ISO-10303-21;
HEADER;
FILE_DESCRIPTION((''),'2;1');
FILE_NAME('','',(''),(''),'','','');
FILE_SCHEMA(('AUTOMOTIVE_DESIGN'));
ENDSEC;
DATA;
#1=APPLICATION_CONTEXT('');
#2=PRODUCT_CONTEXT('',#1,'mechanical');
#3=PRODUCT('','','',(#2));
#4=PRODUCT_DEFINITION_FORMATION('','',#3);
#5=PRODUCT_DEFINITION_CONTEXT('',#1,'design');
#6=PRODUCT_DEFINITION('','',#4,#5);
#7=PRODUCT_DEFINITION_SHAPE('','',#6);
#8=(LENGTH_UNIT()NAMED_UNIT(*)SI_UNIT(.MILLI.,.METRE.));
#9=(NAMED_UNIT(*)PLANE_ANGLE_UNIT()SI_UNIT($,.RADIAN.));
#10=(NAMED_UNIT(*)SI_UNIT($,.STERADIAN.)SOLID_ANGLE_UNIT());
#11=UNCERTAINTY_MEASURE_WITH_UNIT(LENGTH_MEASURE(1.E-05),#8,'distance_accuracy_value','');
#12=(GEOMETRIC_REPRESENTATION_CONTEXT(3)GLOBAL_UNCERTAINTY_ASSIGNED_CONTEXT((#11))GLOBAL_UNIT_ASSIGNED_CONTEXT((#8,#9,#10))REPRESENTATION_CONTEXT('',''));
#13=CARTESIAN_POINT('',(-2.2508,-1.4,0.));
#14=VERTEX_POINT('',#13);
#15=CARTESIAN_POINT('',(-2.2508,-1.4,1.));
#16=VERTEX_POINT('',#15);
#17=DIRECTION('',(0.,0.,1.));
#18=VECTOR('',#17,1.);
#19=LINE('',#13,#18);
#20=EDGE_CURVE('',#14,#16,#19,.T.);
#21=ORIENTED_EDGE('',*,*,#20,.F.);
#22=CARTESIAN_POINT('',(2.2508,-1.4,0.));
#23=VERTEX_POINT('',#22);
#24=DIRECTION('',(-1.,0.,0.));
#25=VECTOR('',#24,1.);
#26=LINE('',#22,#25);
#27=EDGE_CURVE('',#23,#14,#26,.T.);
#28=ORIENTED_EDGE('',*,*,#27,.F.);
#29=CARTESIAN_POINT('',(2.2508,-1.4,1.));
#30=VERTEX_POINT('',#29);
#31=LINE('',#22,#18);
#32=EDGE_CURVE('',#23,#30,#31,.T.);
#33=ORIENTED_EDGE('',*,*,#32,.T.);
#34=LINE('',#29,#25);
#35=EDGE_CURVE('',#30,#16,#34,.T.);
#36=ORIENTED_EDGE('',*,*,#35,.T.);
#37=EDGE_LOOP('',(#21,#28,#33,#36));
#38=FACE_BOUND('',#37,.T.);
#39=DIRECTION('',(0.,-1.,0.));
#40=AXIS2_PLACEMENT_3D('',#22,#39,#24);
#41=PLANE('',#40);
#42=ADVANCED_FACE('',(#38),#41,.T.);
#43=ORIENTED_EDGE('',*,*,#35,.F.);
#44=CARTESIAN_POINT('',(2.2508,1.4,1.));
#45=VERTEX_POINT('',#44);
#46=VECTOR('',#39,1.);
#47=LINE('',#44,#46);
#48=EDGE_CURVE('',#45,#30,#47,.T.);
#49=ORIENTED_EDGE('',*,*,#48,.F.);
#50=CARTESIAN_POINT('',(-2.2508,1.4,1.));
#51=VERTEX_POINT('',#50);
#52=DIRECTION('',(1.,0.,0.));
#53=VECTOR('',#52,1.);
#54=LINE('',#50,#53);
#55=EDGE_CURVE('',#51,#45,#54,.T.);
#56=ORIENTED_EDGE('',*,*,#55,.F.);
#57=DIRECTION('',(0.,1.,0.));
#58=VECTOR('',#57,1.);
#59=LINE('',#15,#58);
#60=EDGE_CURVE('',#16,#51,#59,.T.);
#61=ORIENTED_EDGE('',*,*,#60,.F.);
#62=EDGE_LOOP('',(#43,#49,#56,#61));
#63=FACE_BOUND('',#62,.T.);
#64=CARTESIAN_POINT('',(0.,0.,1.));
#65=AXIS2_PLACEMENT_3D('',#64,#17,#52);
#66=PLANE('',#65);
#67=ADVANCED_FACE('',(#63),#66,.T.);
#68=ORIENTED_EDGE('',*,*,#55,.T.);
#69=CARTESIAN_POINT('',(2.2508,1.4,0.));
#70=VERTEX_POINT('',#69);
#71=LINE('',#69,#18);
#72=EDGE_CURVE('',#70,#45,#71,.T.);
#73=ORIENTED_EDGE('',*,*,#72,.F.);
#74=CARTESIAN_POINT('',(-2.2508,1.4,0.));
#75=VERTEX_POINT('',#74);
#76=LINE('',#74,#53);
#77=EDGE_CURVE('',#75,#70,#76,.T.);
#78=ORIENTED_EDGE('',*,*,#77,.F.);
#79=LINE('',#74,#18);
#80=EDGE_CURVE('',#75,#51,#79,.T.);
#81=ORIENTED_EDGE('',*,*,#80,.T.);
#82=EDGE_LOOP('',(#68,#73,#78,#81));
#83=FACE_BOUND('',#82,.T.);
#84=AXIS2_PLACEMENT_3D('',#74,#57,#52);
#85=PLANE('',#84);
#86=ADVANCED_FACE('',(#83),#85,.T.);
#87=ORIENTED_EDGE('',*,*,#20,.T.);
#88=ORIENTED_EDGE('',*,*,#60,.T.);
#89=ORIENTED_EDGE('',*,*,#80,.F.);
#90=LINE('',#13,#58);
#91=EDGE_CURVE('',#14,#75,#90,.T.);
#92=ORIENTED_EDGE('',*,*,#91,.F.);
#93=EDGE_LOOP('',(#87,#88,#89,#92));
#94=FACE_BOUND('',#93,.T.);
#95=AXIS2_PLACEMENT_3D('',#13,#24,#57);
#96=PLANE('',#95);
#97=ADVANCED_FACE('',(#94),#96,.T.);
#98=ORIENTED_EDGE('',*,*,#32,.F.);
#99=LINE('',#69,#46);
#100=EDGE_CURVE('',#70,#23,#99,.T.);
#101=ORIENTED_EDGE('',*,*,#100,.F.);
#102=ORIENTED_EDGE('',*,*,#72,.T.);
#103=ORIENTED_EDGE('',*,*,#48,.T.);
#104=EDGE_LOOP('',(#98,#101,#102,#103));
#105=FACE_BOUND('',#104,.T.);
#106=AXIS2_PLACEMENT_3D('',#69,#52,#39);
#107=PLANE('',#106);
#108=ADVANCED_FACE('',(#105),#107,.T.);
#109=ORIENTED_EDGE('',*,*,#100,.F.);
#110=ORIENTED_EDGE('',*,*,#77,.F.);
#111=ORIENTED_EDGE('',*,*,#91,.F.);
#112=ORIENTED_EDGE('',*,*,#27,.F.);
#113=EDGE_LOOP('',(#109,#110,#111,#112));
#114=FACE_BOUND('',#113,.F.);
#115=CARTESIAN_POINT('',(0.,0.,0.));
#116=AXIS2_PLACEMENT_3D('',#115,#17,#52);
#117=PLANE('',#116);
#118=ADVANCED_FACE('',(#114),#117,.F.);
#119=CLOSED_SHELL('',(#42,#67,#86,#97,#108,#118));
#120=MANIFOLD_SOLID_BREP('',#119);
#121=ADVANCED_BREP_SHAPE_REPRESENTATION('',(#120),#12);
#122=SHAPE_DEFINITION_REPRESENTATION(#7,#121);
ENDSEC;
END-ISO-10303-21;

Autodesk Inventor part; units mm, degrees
ref_plane "YZ Plane" through (0, 0, 0) normal (1, 0, 0) x (0, 1, 0)
ref_plane "XZ Plane" through (0, 0, 0) normal (0, 1, 0) x (-1, 0, 0)
ref_plane "XY Plane" through (0, 0, 0) normal (0, 0, 1) x (1, 0, 0)
sketch "MURATA-FILTER_CSTCR, CSTCR4M00G15L99_93" plane through (0, 0, 0) normal (0, 0, 1) x (1, 0, 0)
  line L0 (-2.2508, 1.4) -> (2.2508, 1.4)
  line L1 (2.2508, 1.4) -> (2.2508, -1.4)
  line L2 (2.2508, -1.4) -> (-2.2508, -1.4)
  line L3 (-2.2508, -1.4) -> (-2.2508, 1.4)
extrude "Extrusion1" add sketch "MURATA-FILTER_CSTCR, CSTCR4M00G15L99_93" along normal blind 1
properties part number "CSTCR4M00G15L99"
